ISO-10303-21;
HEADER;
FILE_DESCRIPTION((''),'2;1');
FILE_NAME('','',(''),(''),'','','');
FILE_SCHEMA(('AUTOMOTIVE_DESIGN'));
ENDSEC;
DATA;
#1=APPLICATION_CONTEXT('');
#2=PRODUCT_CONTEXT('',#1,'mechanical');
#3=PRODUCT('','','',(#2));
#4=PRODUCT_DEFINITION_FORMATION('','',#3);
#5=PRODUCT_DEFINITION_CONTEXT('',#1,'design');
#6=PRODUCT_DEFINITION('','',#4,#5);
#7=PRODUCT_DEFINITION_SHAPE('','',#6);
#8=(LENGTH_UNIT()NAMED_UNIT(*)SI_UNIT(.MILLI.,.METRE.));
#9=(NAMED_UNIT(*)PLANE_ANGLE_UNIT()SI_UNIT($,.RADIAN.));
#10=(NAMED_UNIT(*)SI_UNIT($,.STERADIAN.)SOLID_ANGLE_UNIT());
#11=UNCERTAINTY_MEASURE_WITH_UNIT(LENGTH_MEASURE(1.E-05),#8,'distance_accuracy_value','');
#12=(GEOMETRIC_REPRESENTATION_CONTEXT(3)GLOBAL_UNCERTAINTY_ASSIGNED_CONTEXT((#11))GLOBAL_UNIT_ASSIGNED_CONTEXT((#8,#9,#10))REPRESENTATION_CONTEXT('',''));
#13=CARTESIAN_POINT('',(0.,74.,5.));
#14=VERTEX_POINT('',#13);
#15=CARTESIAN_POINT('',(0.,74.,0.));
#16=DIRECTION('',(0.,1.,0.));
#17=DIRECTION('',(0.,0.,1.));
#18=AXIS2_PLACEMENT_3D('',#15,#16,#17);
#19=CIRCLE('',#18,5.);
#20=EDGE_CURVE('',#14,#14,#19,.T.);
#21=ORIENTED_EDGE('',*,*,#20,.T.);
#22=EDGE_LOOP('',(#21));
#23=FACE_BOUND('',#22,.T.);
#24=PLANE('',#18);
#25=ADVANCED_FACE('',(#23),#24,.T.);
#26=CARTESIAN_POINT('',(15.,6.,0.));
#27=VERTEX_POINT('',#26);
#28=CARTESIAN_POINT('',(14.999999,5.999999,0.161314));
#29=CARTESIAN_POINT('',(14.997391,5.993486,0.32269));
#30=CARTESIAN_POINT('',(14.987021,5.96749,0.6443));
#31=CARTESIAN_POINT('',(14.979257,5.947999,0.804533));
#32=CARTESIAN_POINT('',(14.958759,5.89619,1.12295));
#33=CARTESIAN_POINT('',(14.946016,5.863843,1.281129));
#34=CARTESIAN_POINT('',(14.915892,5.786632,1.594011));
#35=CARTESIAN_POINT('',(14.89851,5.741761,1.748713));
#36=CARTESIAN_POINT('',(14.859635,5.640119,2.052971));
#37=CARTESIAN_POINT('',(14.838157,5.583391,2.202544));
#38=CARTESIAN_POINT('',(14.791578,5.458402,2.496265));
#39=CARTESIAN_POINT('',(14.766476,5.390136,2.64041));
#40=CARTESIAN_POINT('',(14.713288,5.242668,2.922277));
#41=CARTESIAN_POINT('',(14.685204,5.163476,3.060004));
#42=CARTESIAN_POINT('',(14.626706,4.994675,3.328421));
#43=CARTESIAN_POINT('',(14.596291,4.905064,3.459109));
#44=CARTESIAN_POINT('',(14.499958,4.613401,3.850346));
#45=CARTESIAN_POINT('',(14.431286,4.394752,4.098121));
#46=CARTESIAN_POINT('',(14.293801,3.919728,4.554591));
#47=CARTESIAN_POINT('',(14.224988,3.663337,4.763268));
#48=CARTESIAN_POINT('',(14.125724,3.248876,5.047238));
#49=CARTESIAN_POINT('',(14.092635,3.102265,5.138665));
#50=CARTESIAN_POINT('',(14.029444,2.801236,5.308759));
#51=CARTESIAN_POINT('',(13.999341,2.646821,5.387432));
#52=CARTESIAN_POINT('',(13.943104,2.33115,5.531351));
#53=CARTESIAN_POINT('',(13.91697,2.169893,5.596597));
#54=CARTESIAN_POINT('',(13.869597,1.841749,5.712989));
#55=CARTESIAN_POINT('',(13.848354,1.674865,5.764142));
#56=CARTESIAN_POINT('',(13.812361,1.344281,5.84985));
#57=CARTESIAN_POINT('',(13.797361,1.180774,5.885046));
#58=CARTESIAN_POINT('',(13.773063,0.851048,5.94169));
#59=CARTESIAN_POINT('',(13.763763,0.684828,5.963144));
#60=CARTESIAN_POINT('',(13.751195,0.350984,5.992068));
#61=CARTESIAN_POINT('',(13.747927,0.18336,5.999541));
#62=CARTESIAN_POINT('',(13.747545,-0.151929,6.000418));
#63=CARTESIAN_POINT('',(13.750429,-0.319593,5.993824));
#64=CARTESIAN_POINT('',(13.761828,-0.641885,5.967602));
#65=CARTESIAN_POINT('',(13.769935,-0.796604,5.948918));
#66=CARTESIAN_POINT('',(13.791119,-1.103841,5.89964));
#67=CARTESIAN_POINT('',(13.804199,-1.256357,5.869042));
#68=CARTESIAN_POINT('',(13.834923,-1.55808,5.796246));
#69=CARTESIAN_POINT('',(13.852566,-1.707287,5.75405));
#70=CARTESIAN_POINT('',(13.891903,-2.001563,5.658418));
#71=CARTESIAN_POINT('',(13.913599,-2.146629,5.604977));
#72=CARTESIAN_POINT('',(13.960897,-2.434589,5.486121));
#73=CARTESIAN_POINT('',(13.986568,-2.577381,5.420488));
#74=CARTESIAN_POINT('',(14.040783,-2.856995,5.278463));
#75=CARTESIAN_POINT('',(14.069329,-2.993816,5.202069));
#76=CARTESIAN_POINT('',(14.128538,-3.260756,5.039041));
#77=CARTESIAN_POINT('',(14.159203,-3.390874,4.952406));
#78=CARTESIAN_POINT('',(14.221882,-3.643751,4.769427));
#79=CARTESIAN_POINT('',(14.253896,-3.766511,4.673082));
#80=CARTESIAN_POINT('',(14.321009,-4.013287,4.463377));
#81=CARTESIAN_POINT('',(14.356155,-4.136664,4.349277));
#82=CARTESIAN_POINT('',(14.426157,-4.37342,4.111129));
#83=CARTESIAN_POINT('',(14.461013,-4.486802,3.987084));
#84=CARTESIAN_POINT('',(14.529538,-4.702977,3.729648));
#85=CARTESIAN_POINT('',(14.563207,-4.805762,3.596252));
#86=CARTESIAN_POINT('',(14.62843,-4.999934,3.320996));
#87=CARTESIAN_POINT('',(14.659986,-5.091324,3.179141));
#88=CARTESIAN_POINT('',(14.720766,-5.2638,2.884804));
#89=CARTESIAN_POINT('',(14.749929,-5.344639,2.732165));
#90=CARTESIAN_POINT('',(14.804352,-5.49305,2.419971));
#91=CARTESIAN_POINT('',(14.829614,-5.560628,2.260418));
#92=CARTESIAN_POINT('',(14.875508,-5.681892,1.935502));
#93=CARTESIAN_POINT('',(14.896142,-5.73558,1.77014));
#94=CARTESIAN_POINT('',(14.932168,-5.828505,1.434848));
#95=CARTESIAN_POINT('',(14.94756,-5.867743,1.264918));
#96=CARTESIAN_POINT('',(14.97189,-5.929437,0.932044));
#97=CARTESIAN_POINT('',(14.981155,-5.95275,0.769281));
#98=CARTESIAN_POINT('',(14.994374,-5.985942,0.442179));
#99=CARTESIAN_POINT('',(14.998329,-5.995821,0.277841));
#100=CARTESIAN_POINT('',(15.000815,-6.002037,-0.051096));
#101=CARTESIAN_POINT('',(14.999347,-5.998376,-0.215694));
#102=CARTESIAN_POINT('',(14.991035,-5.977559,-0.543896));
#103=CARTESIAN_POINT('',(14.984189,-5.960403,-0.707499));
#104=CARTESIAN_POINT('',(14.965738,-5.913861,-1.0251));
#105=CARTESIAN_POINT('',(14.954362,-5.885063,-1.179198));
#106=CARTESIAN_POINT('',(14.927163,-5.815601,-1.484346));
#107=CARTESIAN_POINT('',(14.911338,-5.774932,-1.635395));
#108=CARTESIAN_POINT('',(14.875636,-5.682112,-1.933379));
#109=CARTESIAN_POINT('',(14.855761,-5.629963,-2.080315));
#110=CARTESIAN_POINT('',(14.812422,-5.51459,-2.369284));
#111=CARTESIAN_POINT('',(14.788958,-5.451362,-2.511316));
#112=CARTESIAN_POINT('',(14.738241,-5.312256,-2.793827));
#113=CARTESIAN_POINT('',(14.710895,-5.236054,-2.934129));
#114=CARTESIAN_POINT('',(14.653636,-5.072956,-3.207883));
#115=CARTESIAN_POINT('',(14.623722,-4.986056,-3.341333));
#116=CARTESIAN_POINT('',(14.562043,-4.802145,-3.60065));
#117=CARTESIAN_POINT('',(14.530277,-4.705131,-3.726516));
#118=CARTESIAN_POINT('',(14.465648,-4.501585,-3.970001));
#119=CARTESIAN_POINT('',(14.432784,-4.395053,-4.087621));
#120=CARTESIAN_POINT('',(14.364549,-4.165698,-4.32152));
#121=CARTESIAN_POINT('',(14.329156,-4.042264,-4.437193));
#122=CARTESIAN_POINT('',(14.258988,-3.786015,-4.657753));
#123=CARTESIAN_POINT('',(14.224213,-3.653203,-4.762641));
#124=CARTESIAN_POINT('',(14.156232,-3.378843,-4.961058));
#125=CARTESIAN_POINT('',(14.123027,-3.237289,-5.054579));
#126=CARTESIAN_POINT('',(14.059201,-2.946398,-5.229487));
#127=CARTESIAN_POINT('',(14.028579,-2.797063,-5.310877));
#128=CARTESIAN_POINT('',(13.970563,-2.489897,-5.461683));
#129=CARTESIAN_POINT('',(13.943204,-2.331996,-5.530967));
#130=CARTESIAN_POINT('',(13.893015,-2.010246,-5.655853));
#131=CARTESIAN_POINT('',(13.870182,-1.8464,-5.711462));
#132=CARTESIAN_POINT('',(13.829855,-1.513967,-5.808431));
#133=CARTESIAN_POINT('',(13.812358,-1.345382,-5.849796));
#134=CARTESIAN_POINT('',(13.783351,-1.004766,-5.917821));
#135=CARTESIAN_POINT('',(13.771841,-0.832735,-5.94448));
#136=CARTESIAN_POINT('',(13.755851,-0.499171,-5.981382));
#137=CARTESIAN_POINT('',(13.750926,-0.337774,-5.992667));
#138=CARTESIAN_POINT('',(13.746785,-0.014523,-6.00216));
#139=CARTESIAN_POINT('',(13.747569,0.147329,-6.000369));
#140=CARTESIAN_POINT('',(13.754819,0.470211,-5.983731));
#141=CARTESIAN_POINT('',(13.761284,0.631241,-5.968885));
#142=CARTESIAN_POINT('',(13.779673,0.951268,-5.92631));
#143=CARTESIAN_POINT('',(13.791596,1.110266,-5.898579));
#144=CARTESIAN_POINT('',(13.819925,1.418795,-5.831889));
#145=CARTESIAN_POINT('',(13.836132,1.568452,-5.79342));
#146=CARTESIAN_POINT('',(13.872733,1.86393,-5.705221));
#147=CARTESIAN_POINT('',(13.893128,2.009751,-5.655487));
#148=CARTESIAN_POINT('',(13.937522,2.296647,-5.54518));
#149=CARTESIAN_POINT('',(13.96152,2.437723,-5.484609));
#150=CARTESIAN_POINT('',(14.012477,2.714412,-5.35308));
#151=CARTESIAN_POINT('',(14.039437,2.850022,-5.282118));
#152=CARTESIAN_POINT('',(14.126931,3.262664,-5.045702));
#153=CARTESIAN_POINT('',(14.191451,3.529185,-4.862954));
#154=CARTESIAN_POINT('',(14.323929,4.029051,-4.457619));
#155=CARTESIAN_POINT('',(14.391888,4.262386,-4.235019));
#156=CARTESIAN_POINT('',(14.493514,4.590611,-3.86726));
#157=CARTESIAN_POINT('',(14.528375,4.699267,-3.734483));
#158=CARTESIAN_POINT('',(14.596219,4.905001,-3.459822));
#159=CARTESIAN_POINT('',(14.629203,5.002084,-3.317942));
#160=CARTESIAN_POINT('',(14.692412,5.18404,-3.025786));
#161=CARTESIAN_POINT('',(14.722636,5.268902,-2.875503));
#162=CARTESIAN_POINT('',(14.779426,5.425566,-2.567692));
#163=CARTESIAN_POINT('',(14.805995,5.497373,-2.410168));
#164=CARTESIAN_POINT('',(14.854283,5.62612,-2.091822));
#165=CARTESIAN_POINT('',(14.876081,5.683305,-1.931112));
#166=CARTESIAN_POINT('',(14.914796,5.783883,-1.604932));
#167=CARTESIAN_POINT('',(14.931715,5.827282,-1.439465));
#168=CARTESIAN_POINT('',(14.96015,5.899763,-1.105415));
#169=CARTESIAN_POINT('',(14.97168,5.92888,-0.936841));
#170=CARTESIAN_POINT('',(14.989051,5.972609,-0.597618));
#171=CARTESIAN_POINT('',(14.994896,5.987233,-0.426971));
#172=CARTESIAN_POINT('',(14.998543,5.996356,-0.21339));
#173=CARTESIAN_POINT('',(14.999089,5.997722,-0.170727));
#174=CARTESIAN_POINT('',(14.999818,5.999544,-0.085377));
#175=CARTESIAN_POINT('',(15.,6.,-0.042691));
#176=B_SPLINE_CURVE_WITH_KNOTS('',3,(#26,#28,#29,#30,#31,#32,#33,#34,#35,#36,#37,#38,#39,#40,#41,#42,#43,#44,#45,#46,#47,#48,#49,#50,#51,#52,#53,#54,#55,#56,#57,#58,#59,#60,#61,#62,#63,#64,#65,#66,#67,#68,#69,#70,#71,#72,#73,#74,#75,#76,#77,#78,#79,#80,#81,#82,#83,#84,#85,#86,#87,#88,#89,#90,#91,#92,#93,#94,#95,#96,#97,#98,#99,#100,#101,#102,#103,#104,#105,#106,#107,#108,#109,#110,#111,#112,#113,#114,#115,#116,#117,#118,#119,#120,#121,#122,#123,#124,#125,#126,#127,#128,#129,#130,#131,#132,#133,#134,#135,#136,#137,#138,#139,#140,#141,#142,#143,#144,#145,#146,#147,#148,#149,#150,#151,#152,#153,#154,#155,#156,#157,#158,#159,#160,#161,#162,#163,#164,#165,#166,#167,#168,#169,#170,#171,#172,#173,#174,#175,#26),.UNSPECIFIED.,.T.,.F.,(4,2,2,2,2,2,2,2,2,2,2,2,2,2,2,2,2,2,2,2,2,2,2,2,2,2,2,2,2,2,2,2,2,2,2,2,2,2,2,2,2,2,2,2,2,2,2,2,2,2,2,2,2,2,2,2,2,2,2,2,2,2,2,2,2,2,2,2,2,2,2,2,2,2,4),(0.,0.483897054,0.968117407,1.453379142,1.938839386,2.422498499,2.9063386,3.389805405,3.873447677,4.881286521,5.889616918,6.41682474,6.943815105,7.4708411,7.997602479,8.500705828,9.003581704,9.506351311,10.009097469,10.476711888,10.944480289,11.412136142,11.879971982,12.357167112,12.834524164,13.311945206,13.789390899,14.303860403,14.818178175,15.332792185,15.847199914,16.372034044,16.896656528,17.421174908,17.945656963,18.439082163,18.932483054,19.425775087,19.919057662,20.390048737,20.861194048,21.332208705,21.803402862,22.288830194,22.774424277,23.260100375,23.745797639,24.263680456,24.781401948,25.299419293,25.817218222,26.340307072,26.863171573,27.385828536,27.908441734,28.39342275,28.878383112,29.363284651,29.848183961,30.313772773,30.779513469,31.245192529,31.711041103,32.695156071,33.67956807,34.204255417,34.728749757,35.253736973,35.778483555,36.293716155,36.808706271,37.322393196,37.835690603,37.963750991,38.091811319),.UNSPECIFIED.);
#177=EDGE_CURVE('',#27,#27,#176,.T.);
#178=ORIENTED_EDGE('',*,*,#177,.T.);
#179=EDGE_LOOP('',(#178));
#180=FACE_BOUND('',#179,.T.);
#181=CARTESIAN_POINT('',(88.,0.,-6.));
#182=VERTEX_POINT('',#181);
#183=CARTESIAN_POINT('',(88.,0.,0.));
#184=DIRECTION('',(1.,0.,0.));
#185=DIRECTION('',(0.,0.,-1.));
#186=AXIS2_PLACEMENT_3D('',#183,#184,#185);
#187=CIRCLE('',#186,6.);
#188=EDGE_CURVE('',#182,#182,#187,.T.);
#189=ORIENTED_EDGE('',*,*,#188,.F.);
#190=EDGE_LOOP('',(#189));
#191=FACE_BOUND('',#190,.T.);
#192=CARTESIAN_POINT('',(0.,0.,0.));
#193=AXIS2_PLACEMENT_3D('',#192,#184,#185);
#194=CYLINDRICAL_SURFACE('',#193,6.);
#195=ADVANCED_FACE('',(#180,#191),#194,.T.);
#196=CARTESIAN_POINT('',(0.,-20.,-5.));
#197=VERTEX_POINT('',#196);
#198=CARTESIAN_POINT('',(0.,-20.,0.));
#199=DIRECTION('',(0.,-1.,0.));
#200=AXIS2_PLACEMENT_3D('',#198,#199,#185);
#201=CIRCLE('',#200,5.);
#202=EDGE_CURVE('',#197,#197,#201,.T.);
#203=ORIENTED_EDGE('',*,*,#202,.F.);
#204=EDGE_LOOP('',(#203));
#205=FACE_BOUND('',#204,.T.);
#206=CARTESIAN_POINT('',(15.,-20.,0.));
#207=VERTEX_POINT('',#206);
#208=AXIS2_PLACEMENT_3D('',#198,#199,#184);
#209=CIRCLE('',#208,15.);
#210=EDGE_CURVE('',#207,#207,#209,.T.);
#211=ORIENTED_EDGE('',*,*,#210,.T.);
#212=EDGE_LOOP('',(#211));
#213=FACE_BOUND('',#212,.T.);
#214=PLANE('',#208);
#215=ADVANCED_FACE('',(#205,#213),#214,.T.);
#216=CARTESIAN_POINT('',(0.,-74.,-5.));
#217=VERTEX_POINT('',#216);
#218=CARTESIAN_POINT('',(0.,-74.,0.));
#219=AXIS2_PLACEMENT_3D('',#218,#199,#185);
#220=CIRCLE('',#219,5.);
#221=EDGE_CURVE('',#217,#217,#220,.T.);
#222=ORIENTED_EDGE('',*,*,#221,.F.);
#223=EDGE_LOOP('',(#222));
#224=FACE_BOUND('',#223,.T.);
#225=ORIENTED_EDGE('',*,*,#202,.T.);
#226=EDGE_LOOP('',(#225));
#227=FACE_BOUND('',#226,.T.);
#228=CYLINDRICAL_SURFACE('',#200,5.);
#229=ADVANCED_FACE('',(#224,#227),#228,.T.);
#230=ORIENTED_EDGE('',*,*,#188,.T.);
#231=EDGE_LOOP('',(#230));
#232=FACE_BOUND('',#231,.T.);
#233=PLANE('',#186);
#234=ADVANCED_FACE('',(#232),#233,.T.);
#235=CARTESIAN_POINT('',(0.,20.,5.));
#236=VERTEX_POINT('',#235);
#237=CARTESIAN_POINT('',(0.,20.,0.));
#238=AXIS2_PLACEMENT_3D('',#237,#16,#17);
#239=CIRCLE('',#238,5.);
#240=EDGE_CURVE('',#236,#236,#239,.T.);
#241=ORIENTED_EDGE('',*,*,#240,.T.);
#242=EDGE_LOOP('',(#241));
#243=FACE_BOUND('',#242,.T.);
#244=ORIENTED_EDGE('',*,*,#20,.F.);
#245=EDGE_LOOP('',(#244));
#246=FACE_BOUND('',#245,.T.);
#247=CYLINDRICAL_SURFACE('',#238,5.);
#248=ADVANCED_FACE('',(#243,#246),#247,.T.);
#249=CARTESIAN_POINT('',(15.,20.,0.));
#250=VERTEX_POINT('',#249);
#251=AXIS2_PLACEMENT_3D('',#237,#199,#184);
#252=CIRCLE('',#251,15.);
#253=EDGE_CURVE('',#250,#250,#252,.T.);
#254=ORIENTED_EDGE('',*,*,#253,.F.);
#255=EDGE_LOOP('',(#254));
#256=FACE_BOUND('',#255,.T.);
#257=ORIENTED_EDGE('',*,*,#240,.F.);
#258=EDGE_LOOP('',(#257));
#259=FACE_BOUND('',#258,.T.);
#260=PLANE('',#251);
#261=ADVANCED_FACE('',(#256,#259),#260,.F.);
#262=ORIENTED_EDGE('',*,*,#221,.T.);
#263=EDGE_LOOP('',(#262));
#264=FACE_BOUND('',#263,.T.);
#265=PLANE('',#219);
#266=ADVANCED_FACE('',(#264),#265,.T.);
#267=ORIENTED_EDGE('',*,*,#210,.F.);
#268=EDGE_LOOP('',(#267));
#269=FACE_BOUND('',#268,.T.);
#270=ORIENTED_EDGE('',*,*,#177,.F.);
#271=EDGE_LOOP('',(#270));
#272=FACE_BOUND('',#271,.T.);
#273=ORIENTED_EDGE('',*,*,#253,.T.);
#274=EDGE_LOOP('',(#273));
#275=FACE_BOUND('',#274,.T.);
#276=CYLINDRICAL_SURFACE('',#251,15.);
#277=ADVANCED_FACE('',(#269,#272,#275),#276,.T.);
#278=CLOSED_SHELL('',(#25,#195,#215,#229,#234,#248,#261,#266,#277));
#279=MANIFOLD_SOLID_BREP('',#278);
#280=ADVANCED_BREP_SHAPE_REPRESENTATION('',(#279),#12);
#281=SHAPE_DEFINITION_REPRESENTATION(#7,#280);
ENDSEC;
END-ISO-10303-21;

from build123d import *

# Parameters (mm, degrees)
SWEEP2_PROFILE_R = 15
SWEEP3_PROFILE_R = 6
SWEEP4_PROFILE_R = 5
SWEEP5_PROFILE_R = 5


with BuildPart() as part:
    # Sweep2: sweep along a path in Sketch1
    with BuildLine(Plane.XY) as sweep2_path:
        Line((0, 20), (0, -20))
    # Sweep2 profile (on start of the path) → Sweep2 (sweep)
    with BuildSketch(Plane(origin=(0, 20, 0), x_dir=(-1, 0, 0), z_dir=(0, -1, 0))):
        Circle(SWEEP2_PROFILE_R)
    sweep(path=sweep2_path.line)

    # Sweep3: sweep along a path in Sketch30
    with BuildLine(Plane.XY) as sweep3_path:
        Line((0, 0), (88, 0))
    # Sweep3 profile (on start of the path) → Sweep3 (sweep)
    with BuildSketch(Plane(origin=(0, 0, 0), x_dir=(0, 0, 1), z_dir=(1, 0, 0))):
        Circle(SWEEP3_PROFILE_R)
    sweep(path=sweep3_path.line)

    # Sweep4: sweep along a path in Sketch39
    with BuildLine(Plane.XY) as sweep4_path:
        Line((0, -20), (0, -74))
    # Sweep4 profile (on start of the path) → Sweep4 (sweep)
    with BuildSketch(Plane(origin=(0, -20, 0), x_dir=(0, 0, -1), z_dir=(0, -1, 0))):
        Circle(SWEEP4_PROFILE_R)
    sweep(path=sweep4_path.line)

    # Sweep5: sweep along a path in Sketch45
    with BuildLine(Plane.XY) as sweep5_path:
        Line((0, 20), (0, 74))
    # Sweep5 profile (on start of the path) → Sweep5 (sweep)
    with BuildSketch(Plane.ZX.offset(20)):
        Circle(SWEEP5_PROFILE_R)
    sweep(path=sweep5_path.line)


solid = part.part
